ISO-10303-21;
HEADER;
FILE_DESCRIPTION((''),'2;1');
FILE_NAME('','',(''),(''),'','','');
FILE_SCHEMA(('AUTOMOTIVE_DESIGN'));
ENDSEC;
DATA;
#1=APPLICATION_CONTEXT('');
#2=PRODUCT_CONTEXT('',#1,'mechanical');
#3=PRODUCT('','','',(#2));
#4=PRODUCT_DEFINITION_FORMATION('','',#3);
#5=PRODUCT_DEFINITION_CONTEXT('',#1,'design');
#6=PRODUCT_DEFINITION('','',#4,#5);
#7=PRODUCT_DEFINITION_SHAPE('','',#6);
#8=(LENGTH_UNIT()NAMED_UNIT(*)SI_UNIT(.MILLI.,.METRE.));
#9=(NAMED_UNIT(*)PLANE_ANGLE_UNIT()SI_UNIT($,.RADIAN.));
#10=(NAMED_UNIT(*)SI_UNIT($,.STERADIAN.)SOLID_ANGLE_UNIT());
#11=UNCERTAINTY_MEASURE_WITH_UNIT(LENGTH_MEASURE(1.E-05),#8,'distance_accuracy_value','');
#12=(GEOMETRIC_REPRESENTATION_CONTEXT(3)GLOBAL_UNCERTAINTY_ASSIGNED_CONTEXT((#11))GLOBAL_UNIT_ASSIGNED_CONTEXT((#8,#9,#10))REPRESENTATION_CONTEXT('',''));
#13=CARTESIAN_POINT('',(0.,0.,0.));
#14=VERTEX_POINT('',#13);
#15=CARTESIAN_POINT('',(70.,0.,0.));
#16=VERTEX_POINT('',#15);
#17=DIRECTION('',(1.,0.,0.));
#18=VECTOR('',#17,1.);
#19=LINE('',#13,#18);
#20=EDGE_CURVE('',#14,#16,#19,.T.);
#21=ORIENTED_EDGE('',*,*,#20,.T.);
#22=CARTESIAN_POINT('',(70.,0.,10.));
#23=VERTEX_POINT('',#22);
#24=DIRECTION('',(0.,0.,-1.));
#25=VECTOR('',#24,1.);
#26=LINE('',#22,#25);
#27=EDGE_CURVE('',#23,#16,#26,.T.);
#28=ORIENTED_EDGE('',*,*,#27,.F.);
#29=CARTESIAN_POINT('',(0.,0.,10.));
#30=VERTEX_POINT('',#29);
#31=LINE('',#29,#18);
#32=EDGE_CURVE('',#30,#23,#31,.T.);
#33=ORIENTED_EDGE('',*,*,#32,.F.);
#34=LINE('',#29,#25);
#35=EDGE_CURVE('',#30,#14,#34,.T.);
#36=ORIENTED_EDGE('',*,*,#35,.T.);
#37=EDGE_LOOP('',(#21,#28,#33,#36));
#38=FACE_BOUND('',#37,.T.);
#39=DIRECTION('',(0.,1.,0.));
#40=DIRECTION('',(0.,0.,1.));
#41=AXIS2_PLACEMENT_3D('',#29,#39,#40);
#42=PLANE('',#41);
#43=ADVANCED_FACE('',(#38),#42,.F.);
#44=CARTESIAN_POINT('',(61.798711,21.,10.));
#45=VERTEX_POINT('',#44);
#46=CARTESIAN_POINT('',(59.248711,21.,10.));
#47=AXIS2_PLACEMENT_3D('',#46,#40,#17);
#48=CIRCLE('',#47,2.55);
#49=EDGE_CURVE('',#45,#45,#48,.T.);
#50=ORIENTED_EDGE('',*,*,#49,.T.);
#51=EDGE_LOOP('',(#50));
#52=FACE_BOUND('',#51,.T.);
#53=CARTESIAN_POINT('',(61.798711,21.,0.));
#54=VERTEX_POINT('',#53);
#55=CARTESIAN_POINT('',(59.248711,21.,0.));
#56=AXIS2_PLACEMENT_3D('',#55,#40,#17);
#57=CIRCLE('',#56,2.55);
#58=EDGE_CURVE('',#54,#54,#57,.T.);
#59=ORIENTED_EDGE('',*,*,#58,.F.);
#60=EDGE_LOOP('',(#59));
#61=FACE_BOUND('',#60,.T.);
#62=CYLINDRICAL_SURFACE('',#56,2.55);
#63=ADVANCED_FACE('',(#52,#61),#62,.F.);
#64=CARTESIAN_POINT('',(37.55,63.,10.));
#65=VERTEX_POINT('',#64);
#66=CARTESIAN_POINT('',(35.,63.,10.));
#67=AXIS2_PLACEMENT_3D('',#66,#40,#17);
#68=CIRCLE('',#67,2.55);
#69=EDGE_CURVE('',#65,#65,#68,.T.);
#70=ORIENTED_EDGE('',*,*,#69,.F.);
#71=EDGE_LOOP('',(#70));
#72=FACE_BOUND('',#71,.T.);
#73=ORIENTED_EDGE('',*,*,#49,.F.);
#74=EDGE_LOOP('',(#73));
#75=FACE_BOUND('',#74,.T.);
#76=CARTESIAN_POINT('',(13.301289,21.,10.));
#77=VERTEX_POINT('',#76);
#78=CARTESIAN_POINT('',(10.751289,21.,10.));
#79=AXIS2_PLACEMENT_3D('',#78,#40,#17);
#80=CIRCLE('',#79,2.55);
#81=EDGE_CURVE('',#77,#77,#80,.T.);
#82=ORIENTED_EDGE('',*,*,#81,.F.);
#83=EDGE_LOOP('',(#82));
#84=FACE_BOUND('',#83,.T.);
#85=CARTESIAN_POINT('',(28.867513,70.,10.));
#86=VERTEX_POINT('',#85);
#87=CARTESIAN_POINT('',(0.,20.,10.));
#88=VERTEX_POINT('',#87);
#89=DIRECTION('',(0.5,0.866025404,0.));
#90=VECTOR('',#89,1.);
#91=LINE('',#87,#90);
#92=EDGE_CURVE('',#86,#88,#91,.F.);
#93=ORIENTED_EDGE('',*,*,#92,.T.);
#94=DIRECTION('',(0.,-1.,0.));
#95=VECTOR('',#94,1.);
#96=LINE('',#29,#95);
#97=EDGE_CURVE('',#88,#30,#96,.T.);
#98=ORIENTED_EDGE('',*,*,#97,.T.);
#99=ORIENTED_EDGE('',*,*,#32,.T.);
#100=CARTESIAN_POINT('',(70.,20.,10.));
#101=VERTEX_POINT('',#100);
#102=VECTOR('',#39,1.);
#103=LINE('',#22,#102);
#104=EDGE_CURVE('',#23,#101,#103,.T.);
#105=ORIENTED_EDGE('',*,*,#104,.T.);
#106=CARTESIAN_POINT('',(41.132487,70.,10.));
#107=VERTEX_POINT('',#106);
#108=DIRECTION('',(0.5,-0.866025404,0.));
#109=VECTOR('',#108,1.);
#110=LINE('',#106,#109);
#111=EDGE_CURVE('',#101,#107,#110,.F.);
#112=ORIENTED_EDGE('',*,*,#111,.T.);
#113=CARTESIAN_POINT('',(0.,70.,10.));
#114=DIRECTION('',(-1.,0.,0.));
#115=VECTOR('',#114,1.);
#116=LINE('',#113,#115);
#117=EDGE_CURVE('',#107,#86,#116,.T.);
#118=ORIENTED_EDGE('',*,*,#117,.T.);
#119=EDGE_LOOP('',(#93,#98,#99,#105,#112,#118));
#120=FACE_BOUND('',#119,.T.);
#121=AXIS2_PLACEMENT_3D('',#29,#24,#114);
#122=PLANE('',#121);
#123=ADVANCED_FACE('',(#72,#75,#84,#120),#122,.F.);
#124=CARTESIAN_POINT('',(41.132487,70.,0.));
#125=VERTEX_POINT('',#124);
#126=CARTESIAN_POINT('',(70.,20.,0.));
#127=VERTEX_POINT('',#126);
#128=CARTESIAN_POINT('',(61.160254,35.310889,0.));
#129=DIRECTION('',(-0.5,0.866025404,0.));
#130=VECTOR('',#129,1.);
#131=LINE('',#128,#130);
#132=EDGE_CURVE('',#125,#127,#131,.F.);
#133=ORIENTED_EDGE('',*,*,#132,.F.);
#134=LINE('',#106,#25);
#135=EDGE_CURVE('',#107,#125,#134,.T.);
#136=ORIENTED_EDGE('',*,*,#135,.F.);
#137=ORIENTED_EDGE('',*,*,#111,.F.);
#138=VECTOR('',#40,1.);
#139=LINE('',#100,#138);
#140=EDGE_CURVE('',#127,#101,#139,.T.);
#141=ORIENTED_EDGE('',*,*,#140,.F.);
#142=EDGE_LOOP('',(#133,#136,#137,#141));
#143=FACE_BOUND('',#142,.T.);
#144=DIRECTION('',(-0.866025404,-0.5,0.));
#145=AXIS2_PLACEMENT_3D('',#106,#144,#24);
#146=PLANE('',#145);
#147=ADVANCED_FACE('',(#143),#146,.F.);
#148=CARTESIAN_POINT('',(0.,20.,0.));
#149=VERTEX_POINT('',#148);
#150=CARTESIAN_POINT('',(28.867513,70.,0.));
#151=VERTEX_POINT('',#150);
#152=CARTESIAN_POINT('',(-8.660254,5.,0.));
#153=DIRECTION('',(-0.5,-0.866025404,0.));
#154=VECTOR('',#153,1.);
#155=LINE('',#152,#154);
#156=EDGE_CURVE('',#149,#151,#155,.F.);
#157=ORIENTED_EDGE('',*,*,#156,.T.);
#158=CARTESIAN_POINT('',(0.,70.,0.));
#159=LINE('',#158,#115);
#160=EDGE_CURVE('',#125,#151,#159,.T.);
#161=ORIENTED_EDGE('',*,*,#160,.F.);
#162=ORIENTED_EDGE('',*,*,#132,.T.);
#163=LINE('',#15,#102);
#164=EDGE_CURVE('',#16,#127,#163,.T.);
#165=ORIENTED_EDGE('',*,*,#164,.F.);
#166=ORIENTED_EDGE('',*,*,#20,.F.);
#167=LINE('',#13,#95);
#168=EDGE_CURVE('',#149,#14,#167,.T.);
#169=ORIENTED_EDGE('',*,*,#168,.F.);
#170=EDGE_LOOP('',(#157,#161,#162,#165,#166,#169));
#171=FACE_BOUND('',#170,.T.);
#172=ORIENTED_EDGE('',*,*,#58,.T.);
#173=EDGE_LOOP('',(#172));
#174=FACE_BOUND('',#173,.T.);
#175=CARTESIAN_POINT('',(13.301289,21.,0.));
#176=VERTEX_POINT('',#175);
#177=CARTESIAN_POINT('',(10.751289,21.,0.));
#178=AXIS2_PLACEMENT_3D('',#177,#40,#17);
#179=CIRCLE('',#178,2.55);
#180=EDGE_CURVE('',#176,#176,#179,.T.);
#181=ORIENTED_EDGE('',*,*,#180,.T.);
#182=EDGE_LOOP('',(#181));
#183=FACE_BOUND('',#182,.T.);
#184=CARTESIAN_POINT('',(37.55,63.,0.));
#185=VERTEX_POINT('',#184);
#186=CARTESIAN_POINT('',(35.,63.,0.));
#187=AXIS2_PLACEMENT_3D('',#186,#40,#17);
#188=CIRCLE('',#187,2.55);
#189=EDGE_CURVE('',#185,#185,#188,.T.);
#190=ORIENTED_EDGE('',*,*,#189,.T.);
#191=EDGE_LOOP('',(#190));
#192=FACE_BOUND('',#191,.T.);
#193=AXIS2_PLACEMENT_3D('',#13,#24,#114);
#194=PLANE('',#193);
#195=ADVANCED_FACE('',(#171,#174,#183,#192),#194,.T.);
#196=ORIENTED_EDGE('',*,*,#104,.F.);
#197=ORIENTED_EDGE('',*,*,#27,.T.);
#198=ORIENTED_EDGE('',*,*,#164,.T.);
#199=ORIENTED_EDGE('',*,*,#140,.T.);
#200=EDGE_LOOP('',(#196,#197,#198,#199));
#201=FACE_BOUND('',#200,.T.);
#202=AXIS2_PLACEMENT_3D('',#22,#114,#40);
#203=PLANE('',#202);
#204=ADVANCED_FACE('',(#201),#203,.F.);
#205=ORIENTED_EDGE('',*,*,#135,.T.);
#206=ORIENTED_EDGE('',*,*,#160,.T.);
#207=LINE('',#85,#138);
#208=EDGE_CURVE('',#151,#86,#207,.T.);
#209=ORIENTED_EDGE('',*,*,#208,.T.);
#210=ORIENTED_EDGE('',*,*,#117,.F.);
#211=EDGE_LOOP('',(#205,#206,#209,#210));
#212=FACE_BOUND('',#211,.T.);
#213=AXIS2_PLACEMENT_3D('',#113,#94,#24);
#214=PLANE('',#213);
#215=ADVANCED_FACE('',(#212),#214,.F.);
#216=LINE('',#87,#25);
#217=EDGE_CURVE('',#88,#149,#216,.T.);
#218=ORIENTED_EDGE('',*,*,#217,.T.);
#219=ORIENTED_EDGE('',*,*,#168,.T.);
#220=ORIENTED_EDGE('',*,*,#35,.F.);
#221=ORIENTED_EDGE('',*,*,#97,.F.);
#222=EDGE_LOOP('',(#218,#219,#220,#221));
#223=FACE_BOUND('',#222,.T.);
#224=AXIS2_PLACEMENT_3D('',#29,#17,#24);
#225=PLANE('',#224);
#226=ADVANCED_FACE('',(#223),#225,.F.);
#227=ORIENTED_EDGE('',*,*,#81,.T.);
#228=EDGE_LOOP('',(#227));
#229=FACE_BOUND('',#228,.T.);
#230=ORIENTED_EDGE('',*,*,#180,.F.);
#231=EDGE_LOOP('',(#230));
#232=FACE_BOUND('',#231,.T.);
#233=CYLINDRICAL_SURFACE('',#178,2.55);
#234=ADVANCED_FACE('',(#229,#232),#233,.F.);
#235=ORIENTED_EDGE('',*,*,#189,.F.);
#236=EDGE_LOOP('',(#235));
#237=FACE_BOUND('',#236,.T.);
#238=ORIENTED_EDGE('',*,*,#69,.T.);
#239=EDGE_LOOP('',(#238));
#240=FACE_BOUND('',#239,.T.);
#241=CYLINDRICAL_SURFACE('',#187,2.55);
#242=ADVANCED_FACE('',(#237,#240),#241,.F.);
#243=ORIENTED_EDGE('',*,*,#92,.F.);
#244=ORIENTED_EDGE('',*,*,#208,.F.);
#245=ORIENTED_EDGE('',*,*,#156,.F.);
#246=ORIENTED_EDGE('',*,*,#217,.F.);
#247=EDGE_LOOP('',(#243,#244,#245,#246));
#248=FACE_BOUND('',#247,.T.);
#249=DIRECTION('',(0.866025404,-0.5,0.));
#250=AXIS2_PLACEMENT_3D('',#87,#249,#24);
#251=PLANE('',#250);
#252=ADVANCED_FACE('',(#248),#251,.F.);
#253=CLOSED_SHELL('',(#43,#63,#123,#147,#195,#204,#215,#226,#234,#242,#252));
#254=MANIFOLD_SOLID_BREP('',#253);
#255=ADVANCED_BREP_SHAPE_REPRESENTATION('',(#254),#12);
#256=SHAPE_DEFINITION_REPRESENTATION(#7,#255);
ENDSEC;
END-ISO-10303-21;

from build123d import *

# Parameters (mm, degrees)
SKIZZE2_W                       = 70
SKIZZE2_H                       = 70
AUFSATZ_LINEAR_AUSTRAGEN2_DEPTH = 10
SKIZZE5_R                       = 2.55
SCHNITT_LINEAR_AUSTRAGEN1_DEPTH = 10
FASE2_SIZE                      = 50
FASE2_SIZE2                     = 28.867513459
FASE3_SIZE                      = 50
FASE3_SIZE2                     = 28.867513459


with BuildPart() as part:
    # Skizze2 → Aufsatz-Linear austragen2 (new body)
    with BuildSketch(Plane.XY):
        with Locations((35, 35)):
            Rectangle(SKIZZE2_W, SKIZZE2_H)
    extrude(amount=AUFSATZ_LINEAR_AUSTRAGEN2_DEPTH)

    # Skizze5 → Schnitt-Linear austragen1 (cut)
    with BuildSketch(Plane.XY.offset(10)):
        with Locations((35, 63)):
            Circle(SKIZZE5_R)
        with Locations((59.248711306, 21)):
            Circle(SKIZZE5_R)
        with Locations((10.751288694, 21)):
            Circle(SKIZZE5_R)
    extrude(amount=-SCHNITT_LINEAR_AUSTRAGEN1_DEPTH, mode=Mode.SUBTRACT)

    # Fase2
    fase2_edges = [part.edges().sort_by_distance(p)[0] for p in [
        (70, 70, 5),
    ]]
    fase2_side = [part.faces().sort_by_distance(p)[0] for p in [
        (70, 35, 5),
    ]]
    chamfer(fase2_edges, length=FASE2_SIZE, length2=FASE2_SIZE2, reference=fase2_side[0])

    # Fase3
    fase3_edges = [part.edges().sort_by_distance(p)[0] for p in [
        (0, 70, 5),
    ]]
    fase3_side = [part.faces().sort_by_distance(p)[0] for p in [
        (0, 35, 5),
    ]]
    chamfer(fase3_edges, length=FASE3_SIZE, length2=FASE3_SIZE2, reference=fase3_side[0])


solid = part.part
